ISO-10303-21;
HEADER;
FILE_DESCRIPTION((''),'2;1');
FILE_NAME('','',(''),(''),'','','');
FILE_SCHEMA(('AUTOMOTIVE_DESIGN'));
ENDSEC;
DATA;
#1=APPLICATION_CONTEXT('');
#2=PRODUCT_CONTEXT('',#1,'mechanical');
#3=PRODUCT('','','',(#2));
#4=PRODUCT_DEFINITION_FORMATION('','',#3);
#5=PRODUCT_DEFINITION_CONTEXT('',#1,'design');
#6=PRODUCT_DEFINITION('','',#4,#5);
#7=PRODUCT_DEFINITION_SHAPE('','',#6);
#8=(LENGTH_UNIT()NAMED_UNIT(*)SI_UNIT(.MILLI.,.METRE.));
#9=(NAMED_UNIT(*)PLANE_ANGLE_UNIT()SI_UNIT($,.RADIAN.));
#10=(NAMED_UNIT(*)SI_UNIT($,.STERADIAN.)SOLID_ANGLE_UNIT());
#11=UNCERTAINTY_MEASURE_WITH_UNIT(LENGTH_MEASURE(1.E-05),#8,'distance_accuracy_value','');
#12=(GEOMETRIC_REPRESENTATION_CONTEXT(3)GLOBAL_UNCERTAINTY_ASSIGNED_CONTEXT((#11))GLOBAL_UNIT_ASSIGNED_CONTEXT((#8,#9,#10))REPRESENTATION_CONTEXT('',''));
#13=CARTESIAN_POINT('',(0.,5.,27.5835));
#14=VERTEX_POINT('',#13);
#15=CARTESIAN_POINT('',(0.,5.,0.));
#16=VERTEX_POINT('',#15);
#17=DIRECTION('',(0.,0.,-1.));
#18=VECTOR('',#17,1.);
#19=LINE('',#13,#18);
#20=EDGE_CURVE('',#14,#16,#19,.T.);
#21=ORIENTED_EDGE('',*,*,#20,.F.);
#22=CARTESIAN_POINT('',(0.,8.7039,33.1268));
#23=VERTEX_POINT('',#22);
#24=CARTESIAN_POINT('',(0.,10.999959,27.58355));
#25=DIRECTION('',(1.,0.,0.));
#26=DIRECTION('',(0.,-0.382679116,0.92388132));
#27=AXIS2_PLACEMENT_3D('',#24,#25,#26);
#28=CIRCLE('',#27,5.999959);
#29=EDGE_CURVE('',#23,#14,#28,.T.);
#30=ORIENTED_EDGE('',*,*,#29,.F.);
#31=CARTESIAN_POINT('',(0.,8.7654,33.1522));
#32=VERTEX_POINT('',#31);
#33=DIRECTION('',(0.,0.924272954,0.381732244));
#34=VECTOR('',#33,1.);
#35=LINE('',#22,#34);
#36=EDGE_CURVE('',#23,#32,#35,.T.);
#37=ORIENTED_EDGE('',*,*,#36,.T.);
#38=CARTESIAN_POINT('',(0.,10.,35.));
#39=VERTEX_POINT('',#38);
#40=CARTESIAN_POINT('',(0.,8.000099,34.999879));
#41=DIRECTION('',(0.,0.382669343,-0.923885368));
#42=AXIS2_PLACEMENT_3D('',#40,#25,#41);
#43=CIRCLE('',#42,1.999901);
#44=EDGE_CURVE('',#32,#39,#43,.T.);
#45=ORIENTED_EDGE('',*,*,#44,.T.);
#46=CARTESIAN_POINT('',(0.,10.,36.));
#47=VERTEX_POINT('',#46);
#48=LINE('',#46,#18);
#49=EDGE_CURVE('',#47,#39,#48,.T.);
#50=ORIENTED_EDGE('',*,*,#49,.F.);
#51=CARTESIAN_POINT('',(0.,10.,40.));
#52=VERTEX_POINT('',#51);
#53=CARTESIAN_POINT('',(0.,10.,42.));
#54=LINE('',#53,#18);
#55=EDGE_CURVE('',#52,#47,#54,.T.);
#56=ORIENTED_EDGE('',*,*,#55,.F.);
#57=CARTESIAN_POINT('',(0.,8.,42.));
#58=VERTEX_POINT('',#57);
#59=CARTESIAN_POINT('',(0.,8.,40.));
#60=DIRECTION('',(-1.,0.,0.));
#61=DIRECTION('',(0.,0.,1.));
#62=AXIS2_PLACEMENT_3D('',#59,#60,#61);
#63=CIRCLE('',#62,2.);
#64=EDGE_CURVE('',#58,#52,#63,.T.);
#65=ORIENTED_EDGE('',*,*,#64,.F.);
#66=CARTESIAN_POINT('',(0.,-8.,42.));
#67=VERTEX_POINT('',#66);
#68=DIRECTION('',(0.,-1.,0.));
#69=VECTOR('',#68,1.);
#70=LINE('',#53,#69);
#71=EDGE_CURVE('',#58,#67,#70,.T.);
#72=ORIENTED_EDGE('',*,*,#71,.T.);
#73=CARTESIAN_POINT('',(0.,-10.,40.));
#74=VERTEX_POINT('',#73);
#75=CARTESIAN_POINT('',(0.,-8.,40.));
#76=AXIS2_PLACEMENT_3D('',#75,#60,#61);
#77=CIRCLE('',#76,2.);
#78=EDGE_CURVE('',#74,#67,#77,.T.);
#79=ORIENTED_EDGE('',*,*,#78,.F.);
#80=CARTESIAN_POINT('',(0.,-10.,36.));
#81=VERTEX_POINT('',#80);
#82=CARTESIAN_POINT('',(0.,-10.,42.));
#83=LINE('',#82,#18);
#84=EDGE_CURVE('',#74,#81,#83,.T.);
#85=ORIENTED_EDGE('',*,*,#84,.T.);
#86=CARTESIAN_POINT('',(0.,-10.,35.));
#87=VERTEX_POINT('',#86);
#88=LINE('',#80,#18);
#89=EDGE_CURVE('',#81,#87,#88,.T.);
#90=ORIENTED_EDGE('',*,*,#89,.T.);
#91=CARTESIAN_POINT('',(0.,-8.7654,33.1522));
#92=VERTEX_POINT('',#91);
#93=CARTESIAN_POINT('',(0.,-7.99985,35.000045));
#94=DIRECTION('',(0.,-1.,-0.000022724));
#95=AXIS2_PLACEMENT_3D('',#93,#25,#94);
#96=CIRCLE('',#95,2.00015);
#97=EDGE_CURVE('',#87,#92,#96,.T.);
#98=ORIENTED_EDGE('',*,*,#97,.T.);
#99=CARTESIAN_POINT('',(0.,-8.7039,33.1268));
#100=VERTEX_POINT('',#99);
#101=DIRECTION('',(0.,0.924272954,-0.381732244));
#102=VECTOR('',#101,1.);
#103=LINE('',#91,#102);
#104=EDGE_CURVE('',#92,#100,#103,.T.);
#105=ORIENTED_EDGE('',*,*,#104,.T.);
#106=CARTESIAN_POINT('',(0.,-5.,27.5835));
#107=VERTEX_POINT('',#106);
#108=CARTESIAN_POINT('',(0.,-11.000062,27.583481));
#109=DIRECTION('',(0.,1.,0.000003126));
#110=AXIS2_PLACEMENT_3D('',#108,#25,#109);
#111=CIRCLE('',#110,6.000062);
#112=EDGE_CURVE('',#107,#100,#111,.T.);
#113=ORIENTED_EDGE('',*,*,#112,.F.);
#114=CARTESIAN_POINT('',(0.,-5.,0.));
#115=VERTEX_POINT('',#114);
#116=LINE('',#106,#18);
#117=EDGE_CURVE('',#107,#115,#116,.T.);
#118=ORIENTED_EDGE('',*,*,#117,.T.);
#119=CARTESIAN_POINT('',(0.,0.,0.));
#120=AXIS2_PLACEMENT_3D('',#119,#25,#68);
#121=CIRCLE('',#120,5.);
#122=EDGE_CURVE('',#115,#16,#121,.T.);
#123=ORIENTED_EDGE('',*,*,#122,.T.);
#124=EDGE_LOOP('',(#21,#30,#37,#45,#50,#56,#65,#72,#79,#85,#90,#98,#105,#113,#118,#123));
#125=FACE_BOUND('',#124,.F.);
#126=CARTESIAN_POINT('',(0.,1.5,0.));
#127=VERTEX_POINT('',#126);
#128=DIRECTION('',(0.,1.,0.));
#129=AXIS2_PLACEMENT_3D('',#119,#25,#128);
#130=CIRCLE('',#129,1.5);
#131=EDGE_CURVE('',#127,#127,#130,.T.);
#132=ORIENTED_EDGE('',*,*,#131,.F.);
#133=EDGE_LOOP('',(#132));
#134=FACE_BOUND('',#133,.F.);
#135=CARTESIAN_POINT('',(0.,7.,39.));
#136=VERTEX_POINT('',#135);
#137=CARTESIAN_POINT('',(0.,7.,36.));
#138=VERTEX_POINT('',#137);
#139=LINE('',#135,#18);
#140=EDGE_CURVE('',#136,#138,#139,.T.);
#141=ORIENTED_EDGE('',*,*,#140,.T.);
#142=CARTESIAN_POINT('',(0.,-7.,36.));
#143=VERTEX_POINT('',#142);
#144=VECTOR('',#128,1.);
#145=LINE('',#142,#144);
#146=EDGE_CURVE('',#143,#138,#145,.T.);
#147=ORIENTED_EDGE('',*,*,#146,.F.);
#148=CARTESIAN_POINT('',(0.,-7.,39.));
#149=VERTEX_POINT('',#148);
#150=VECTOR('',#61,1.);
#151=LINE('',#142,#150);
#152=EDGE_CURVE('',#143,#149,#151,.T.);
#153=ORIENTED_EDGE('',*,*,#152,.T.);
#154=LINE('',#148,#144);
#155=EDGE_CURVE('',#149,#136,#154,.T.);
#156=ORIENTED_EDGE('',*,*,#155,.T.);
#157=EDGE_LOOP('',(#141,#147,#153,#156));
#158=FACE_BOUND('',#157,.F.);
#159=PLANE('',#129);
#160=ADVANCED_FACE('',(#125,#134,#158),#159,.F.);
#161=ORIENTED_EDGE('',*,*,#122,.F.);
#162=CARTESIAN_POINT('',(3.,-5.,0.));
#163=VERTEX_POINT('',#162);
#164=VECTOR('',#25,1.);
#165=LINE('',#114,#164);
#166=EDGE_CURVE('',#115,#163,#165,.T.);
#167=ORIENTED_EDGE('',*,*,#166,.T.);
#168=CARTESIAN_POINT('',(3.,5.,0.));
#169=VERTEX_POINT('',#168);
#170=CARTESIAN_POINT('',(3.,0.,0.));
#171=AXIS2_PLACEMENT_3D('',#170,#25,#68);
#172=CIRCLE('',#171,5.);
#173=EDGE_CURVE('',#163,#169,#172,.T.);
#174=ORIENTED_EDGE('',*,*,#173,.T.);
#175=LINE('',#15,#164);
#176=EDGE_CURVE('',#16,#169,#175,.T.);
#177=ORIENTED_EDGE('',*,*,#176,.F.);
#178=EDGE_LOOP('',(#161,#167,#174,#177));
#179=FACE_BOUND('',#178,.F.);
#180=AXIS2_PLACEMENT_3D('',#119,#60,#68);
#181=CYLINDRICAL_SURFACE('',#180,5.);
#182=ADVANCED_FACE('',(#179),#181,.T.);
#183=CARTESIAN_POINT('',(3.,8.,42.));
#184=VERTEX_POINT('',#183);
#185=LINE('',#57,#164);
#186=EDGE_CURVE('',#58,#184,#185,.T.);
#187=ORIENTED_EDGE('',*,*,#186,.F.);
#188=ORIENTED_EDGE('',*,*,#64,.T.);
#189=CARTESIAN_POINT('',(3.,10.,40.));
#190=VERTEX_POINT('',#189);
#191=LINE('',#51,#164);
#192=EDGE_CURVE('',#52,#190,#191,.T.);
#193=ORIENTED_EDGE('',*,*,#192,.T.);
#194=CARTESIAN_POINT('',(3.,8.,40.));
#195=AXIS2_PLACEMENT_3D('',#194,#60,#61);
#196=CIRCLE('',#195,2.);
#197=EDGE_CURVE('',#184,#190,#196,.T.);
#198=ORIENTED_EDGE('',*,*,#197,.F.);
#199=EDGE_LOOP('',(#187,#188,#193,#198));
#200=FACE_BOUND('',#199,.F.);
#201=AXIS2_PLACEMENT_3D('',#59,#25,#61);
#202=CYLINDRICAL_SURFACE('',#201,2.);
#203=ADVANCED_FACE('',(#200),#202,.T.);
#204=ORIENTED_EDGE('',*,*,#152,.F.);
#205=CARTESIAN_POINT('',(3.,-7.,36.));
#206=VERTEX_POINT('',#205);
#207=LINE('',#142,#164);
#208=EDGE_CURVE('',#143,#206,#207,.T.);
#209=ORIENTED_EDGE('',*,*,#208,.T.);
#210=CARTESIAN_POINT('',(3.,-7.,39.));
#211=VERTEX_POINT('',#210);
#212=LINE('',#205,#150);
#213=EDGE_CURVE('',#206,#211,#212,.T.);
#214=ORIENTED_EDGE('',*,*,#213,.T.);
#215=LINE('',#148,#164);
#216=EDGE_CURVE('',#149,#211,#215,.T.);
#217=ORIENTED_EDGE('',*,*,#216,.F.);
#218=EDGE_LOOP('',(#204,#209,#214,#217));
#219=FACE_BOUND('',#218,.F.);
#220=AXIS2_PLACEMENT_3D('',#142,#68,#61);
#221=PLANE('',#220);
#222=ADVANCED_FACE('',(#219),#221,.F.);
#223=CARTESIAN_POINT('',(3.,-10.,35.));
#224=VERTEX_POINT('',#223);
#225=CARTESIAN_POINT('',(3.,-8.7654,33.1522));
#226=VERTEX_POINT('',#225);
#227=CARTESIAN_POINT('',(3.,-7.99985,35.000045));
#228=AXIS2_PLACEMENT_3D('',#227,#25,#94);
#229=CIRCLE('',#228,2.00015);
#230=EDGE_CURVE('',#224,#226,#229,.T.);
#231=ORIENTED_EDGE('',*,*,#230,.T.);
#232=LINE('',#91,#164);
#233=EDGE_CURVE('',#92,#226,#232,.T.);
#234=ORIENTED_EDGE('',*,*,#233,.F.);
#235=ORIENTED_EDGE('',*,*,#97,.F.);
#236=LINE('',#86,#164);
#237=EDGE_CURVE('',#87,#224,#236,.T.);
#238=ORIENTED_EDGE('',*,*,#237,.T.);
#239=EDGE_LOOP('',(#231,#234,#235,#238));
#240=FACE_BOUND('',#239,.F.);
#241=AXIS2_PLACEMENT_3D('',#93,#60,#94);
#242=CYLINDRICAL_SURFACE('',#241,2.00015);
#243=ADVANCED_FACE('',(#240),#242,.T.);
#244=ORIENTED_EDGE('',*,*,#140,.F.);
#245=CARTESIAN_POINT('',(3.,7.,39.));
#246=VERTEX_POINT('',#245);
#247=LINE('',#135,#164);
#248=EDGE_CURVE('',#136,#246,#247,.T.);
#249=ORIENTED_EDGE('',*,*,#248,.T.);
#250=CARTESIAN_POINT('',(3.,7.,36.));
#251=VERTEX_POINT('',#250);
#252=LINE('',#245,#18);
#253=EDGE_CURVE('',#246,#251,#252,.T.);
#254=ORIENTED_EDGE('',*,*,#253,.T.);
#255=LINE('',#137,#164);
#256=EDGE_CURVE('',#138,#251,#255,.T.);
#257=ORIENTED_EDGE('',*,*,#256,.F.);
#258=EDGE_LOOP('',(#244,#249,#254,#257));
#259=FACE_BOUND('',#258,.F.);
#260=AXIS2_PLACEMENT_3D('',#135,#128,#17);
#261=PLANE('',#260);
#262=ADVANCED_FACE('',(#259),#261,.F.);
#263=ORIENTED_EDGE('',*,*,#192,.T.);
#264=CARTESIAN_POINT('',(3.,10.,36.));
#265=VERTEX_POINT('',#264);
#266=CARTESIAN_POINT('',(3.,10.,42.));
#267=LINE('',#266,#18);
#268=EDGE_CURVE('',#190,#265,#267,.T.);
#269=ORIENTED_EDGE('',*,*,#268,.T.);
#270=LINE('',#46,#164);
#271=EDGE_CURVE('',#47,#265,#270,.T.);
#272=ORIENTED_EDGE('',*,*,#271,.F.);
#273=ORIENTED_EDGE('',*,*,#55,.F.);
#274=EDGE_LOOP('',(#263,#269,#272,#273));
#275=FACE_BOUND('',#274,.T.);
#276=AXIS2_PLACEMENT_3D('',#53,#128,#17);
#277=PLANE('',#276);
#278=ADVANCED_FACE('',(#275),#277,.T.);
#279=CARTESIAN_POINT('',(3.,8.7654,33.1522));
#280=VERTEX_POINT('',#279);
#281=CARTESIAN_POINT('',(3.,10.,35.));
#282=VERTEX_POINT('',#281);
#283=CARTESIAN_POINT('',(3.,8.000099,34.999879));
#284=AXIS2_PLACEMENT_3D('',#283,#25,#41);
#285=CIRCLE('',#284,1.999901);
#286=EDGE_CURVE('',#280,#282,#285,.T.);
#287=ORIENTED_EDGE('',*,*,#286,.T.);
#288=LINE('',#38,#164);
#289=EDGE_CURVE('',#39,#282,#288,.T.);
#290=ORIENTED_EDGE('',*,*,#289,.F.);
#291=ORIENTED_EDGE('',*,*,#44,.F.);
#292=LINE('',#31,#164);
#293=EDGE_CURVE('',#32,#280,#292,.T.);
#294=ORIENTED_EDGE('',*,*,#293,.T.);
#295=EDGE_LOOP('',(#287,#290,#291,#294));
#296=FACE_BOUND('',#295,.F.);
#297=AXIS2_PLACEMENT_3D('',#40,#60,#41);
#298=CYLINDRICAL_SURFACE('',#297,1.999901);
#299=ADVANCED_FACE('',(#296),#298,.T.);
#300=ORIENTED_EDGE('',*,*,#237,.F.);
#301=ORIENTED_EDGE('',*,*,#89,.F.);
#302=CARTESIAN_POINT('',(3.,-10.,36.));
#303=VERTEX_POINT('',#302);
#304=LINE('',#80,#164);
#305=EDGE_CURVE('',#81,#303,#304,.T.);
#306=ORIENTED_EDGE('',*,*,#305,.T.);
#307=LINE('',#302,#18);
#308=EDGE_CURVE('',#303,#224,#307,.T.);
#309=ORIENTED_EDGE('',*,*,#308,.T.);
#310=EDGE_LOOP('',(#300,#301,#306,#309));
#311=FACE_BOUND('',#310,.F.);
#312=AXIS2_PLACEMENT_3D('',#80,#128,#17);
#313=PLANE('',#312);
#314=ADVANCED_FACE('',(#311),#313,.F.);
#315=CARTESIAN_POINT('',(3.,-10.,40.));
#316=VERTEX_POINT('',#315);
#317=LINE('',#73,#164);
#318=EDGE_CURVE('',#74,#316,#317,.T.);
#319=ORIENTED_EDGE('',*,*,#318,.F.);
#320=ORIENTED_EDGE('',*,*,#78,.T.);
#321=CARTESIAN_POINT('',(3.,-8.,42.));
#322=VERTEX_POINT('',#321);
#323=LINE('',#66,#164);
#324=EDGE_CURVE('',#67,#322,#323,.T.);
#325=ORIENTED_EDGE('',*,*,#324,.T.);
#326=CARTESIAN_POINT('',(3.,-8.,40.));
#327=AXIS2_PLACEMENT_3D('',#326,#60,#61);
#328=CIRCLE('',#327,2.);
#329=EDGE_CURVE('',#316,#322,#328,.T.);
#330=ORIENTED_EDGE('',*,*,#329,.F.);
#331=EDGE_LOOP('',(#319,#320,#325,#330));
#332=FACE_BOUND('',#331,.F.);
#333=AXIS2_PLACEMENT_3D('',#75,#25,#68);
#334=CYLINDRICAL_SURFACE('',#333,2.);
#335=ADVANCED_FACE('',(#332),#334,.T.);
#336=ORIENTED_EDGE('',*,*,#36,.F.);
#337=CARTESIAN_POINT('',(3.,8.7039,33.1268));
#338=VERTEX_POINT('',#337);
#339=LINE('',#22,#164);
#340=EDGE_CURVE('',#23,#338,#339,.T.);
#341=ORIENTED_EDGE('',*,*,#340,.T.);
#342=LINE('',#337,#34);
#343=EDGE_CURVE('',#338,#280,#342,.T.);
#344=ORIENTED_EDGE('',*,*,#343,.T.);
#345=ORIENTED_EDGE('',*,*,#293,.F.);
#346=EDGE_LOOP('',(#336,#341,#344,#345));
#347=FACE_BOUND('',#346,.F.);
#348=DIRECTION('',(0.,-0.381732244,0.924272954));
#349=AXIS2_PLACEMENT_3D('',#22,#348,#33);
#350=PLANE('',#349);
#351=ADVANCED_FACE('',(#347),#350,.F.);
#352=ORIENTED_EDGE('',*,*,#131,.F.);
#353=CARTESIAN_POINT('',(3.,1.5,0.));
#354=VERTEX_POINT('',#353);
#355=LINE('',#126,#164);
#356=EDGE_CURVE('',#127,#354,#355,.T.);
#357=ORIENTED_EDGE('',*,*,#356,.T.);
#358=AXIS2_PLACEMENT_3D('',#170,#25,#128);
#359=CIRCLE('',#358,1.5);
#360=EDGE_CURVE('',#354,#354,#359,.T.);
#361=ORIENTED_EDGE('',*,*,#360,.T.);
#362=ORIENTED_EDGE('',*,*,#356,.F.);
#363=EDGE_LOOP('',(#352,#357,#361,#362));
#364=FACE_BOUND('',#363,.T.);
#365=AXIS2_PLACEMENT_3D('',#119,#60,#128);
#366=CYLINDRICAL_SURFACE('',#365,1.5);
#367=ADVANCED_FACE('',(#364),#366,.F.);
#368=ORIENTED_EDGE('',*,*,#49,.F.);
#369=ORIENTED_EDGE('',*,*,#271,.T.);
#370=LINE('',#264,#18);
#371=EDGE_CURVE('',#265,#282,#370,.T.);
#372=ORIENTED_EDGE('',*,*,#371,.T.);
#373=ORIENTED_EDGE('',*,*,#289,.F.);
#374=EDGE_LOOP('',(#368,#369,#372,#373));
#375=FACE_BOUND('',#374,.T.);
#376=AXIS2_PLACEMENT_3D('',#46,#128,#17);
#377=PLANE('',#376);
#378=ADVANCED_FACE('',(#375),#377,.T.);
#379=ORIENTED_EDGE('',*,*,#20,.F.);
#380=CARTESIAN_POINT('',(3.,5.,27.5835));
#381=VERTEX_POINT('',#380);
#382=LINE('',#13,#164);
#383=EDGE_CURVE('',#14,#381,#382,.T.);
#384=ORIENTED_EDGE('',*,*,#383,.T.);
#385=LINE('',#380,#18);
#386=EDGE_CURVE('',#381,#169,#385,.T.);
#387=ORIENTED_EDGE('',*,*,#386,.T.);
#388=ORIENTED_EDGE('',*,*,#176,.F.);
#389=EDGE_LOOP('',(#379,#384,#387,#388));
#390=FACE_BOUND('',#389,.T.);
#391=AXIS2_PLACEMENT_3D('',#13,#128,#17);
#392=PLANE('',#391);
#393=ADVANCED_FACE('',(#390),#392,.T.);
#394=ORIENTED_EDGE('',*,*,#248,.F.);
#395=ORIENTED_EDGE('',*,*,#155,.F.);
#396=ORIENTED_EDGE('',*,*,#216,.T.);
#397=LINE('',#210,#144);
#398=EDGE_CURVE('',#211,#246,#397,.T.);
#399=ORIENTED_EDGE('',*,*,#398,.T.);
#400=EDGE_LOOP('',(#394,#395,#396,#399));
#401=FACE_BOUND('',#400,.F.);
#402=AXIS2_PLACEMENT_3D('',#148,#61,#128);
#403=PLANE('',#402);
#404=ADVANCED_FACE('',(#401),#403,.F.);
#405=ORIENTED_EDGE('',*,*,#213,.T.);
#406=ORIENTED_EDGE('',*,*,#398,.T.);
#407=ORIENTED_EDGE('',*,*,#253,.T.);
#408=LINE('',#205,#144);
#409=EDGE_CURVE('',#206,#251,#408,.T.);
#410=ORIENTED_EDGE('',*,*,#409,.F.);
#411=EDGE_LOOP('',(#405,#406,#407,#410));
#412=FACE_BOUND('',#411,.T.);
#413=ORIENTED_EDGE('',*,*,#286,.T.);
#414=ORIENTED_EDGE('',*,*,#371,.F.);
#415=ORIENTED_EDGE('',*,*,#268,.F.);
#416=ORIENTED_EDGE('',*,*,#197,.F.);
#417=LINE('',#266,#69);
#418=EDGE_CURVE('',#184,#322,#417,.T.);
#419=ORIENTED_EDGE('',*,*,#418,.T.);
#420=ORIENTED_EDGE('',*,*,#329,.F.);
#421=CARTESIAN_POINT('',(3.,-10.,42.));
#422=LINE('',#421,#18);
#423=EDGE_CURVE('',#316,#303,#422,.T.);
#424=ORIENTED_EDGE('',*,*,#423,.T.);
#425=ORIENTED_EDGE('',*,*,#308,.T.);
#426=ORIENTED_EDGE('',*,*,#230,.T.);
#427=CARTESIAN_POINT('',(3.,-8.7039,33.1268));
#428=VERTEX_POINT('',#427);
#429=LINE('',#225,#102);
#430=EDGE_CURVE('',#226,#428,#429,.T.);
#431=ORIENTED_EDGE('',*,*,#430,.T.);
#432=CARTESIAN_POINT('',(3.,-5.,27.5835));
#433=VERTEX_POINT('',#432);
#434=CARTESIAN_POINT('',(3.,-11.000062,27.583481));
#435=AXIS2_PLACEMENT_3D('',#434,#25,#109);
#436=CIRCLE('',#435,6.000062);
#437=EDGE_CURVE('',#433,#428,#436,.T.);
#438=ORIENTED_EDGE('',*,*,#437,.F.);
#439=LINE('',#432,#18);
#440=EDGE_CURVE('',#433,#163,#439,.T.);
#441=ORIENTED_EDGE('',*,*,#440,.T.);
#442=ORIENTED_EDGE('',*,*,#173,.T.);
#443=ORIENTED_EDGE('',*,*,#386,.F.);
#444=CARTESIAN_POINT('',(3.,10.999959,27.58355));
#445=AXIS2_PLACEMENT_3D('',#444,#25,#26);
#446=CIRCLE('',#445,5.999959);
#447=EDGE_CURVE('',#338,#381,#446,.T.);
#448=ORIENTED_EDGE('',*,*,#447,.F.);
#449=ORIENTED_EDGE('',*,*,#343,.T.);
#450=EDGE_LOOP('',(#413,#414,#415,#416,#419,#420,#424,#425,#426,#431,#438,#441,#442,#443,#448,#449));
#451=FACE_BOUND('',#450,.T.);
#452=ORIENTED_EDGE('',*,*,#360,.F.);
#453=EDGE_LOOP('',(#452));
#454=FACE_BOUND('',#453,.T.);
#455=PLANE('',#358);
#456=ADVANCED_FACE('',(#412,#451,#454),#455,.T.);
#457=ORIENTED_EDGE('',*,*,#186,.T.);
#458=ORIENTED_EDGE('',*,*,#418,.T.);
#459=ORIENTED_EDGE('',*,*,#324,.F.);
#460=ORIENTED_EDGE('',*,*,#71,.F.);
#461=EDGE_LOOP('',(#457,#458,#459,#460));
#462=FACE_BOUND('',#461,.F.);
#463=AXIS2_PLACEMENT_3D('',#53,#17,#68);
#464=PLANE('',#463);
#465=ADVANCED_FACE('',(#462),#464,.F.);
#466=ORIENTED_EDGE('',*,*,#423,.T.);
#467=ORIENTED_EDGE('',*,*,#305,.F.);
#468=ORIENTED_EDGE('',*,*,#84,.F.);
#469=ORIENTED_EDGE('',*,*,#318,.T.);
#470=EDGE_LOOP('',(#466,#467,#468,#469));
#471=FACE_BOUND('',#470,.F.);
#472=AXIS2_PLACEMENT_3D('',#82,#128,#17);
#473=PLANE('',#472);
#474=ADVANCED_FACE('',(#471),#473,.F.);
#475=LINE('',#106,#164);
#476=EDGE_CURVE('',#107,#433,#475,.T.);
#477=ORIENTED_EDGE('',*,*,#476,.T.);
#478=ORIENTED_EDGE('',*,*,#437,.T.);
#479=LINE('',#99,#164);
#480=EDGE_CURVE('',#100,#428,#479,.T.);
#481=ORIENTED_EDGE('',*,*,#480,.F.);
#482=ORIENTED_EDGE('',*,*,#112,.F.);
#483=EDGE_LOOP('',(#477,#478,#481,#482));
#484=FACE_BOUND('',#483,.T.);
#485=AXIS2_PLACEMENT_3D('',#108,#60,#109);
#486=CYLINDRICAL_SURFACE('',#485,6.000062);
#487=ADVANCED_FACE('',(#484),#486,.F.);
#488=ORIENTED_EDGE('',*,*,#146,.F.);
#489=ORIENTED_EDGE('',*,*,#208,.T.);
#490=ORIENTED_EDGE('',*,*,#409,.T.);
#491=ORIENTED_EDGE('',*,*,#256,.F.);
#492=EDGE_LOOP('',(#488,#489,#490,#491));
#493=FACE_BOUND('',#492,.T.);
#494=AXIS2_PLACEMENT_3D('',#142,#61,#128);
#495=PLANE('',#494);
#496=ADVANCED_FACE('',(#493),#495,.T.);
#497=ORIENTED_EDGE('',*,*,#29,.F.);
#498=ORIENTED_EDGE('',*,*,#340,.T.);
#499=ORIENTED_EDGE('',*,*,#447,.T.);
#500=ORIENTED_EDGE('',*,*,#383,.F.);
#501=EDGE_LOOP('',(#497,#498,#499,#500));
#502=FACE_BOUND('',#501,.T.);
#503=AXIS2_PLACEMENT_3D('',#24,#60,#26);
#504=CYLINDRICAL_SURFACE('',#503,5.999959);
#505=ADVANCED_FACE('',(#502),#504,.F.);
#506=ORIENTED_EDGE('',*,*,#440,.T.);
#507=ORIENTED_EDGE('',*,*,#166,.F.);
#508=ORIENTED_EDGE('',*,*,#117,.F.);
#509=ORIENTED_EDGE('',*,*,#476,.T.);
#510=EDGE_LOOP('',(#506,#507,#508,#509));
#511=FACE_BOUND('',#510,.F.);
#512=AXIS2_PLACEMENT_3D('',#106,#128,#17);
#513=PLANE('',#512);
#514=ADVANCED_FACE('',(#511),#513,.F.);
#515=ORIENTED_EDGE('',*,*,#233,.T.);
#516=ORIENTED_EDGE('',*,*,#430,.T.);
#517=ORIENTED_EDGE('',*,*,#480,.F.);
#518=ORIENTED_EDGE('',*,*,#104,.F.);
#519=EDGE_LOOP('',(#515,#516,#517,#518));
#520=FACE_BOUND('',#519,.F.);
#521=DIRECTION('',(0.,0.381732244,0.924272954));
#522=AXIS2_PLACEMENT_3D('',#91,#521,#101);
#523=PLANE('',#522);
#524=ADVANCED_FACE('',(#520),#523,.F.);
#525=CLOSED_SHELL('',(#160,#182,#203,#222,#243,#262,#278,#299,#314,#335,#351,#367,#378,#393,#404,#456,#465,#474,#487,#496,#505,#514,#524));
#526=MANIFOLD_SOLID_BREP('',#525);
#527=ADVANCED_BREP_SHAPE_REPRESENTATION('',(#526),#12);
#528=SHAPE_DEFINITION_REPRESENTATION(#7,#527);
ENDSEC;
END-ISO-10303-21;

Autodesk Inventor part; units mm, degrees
ref_plane "YZ Plane" through (0, 0, 0) normal (1, 0, 0) x (0, 1, 0)
ref_plane "XZ Plane" through (0, 0, 0) normal (0, 1, 0) x (-1, 0, 0)
ref_plane "XY Plane" through (0, 0, 0) normal (0, 0, 1) x (1, 0, 0)
sketch "Sketch1" plane through (0, 0, 0) normal (1, 0, 0) x (0, 1, 0)
  line L0 (-8.7654, 33.1522) -> (-8.7039, 33.1268)
  line L1 (8.7039, 33.1268) -> (8.7654, 33.1522)
  line L2 (-5, 27.5835) -> (-5, 0)
  line L3 (5, 27.5835) -> (5, 0)
  arc A0 (-5, 27.5835) -> (-8.7039, 33.1268) centre (-11, 27.5835) ccw
  arc A1 (8.7039, 33.1268) -> (5, 27.5835) centre (11, 27.5835) ccw
  line L4 (-7, 36) -> (7, 36)
  line L5 (-10, 36) -> (-10, 35)
  line L6 (10, 36) -> (10, 35)
  circle A2 centre (0, 0) radius 46 construction
  arc A3 (-10, 35) -> (-8.7654, 33.1522) centre (-8, 35) ccw
  arc A4 (8.7654, 33.1522) -> (10, 35) centre (8, 35) ccw
  circle A5 centre (0, 0) radius 1.5
  arc A6 (-5, 0) -> (5, 0) centre (0, 0) ccw
  line L7 (0, 0) -> (0, 36) construction
  line L8 (-10, 36) -> (-9.7321, 36)
  line L9 (10, 42) -> (-10, 42)
  line L10 (-10, 42) -> (-10, 36)
  line L11 (10, 36) -> (9.7321, 36)
  line L12 (10, 42) -> (10, 36)
  line L13 (-7, 36) -> (-7, 39)
  line L14 (-7, 39) -> (7, 39)
  line L15 (7, 39) -> (7, 36)
  point P0 (-5, 31.5926)
  point P1 (5, 31.5926)
  dimension "d25" = 10
  dimension "d32" = 6
  dimension "d33" = 6
  dimension "d82" = 46
  dimension "d90" = 2
  dimension "d93" = 1
  dimension "d95" = 22.5
  dimension "d109" = 3
  dimension "d112" = 36
  dimension "d113" = 5
  dimension "d115" = 20
  dimension "d118" = 6
  dimension "d120" = 6
extrude "Extrusion10" add sketch "Sketch1" along normal blind 3
fillet "Fillet1" radius 2 2 edges at (1.5, -10, 42) (1.5, 10, 42)
properties part number "27030914CameraMountA-2"
